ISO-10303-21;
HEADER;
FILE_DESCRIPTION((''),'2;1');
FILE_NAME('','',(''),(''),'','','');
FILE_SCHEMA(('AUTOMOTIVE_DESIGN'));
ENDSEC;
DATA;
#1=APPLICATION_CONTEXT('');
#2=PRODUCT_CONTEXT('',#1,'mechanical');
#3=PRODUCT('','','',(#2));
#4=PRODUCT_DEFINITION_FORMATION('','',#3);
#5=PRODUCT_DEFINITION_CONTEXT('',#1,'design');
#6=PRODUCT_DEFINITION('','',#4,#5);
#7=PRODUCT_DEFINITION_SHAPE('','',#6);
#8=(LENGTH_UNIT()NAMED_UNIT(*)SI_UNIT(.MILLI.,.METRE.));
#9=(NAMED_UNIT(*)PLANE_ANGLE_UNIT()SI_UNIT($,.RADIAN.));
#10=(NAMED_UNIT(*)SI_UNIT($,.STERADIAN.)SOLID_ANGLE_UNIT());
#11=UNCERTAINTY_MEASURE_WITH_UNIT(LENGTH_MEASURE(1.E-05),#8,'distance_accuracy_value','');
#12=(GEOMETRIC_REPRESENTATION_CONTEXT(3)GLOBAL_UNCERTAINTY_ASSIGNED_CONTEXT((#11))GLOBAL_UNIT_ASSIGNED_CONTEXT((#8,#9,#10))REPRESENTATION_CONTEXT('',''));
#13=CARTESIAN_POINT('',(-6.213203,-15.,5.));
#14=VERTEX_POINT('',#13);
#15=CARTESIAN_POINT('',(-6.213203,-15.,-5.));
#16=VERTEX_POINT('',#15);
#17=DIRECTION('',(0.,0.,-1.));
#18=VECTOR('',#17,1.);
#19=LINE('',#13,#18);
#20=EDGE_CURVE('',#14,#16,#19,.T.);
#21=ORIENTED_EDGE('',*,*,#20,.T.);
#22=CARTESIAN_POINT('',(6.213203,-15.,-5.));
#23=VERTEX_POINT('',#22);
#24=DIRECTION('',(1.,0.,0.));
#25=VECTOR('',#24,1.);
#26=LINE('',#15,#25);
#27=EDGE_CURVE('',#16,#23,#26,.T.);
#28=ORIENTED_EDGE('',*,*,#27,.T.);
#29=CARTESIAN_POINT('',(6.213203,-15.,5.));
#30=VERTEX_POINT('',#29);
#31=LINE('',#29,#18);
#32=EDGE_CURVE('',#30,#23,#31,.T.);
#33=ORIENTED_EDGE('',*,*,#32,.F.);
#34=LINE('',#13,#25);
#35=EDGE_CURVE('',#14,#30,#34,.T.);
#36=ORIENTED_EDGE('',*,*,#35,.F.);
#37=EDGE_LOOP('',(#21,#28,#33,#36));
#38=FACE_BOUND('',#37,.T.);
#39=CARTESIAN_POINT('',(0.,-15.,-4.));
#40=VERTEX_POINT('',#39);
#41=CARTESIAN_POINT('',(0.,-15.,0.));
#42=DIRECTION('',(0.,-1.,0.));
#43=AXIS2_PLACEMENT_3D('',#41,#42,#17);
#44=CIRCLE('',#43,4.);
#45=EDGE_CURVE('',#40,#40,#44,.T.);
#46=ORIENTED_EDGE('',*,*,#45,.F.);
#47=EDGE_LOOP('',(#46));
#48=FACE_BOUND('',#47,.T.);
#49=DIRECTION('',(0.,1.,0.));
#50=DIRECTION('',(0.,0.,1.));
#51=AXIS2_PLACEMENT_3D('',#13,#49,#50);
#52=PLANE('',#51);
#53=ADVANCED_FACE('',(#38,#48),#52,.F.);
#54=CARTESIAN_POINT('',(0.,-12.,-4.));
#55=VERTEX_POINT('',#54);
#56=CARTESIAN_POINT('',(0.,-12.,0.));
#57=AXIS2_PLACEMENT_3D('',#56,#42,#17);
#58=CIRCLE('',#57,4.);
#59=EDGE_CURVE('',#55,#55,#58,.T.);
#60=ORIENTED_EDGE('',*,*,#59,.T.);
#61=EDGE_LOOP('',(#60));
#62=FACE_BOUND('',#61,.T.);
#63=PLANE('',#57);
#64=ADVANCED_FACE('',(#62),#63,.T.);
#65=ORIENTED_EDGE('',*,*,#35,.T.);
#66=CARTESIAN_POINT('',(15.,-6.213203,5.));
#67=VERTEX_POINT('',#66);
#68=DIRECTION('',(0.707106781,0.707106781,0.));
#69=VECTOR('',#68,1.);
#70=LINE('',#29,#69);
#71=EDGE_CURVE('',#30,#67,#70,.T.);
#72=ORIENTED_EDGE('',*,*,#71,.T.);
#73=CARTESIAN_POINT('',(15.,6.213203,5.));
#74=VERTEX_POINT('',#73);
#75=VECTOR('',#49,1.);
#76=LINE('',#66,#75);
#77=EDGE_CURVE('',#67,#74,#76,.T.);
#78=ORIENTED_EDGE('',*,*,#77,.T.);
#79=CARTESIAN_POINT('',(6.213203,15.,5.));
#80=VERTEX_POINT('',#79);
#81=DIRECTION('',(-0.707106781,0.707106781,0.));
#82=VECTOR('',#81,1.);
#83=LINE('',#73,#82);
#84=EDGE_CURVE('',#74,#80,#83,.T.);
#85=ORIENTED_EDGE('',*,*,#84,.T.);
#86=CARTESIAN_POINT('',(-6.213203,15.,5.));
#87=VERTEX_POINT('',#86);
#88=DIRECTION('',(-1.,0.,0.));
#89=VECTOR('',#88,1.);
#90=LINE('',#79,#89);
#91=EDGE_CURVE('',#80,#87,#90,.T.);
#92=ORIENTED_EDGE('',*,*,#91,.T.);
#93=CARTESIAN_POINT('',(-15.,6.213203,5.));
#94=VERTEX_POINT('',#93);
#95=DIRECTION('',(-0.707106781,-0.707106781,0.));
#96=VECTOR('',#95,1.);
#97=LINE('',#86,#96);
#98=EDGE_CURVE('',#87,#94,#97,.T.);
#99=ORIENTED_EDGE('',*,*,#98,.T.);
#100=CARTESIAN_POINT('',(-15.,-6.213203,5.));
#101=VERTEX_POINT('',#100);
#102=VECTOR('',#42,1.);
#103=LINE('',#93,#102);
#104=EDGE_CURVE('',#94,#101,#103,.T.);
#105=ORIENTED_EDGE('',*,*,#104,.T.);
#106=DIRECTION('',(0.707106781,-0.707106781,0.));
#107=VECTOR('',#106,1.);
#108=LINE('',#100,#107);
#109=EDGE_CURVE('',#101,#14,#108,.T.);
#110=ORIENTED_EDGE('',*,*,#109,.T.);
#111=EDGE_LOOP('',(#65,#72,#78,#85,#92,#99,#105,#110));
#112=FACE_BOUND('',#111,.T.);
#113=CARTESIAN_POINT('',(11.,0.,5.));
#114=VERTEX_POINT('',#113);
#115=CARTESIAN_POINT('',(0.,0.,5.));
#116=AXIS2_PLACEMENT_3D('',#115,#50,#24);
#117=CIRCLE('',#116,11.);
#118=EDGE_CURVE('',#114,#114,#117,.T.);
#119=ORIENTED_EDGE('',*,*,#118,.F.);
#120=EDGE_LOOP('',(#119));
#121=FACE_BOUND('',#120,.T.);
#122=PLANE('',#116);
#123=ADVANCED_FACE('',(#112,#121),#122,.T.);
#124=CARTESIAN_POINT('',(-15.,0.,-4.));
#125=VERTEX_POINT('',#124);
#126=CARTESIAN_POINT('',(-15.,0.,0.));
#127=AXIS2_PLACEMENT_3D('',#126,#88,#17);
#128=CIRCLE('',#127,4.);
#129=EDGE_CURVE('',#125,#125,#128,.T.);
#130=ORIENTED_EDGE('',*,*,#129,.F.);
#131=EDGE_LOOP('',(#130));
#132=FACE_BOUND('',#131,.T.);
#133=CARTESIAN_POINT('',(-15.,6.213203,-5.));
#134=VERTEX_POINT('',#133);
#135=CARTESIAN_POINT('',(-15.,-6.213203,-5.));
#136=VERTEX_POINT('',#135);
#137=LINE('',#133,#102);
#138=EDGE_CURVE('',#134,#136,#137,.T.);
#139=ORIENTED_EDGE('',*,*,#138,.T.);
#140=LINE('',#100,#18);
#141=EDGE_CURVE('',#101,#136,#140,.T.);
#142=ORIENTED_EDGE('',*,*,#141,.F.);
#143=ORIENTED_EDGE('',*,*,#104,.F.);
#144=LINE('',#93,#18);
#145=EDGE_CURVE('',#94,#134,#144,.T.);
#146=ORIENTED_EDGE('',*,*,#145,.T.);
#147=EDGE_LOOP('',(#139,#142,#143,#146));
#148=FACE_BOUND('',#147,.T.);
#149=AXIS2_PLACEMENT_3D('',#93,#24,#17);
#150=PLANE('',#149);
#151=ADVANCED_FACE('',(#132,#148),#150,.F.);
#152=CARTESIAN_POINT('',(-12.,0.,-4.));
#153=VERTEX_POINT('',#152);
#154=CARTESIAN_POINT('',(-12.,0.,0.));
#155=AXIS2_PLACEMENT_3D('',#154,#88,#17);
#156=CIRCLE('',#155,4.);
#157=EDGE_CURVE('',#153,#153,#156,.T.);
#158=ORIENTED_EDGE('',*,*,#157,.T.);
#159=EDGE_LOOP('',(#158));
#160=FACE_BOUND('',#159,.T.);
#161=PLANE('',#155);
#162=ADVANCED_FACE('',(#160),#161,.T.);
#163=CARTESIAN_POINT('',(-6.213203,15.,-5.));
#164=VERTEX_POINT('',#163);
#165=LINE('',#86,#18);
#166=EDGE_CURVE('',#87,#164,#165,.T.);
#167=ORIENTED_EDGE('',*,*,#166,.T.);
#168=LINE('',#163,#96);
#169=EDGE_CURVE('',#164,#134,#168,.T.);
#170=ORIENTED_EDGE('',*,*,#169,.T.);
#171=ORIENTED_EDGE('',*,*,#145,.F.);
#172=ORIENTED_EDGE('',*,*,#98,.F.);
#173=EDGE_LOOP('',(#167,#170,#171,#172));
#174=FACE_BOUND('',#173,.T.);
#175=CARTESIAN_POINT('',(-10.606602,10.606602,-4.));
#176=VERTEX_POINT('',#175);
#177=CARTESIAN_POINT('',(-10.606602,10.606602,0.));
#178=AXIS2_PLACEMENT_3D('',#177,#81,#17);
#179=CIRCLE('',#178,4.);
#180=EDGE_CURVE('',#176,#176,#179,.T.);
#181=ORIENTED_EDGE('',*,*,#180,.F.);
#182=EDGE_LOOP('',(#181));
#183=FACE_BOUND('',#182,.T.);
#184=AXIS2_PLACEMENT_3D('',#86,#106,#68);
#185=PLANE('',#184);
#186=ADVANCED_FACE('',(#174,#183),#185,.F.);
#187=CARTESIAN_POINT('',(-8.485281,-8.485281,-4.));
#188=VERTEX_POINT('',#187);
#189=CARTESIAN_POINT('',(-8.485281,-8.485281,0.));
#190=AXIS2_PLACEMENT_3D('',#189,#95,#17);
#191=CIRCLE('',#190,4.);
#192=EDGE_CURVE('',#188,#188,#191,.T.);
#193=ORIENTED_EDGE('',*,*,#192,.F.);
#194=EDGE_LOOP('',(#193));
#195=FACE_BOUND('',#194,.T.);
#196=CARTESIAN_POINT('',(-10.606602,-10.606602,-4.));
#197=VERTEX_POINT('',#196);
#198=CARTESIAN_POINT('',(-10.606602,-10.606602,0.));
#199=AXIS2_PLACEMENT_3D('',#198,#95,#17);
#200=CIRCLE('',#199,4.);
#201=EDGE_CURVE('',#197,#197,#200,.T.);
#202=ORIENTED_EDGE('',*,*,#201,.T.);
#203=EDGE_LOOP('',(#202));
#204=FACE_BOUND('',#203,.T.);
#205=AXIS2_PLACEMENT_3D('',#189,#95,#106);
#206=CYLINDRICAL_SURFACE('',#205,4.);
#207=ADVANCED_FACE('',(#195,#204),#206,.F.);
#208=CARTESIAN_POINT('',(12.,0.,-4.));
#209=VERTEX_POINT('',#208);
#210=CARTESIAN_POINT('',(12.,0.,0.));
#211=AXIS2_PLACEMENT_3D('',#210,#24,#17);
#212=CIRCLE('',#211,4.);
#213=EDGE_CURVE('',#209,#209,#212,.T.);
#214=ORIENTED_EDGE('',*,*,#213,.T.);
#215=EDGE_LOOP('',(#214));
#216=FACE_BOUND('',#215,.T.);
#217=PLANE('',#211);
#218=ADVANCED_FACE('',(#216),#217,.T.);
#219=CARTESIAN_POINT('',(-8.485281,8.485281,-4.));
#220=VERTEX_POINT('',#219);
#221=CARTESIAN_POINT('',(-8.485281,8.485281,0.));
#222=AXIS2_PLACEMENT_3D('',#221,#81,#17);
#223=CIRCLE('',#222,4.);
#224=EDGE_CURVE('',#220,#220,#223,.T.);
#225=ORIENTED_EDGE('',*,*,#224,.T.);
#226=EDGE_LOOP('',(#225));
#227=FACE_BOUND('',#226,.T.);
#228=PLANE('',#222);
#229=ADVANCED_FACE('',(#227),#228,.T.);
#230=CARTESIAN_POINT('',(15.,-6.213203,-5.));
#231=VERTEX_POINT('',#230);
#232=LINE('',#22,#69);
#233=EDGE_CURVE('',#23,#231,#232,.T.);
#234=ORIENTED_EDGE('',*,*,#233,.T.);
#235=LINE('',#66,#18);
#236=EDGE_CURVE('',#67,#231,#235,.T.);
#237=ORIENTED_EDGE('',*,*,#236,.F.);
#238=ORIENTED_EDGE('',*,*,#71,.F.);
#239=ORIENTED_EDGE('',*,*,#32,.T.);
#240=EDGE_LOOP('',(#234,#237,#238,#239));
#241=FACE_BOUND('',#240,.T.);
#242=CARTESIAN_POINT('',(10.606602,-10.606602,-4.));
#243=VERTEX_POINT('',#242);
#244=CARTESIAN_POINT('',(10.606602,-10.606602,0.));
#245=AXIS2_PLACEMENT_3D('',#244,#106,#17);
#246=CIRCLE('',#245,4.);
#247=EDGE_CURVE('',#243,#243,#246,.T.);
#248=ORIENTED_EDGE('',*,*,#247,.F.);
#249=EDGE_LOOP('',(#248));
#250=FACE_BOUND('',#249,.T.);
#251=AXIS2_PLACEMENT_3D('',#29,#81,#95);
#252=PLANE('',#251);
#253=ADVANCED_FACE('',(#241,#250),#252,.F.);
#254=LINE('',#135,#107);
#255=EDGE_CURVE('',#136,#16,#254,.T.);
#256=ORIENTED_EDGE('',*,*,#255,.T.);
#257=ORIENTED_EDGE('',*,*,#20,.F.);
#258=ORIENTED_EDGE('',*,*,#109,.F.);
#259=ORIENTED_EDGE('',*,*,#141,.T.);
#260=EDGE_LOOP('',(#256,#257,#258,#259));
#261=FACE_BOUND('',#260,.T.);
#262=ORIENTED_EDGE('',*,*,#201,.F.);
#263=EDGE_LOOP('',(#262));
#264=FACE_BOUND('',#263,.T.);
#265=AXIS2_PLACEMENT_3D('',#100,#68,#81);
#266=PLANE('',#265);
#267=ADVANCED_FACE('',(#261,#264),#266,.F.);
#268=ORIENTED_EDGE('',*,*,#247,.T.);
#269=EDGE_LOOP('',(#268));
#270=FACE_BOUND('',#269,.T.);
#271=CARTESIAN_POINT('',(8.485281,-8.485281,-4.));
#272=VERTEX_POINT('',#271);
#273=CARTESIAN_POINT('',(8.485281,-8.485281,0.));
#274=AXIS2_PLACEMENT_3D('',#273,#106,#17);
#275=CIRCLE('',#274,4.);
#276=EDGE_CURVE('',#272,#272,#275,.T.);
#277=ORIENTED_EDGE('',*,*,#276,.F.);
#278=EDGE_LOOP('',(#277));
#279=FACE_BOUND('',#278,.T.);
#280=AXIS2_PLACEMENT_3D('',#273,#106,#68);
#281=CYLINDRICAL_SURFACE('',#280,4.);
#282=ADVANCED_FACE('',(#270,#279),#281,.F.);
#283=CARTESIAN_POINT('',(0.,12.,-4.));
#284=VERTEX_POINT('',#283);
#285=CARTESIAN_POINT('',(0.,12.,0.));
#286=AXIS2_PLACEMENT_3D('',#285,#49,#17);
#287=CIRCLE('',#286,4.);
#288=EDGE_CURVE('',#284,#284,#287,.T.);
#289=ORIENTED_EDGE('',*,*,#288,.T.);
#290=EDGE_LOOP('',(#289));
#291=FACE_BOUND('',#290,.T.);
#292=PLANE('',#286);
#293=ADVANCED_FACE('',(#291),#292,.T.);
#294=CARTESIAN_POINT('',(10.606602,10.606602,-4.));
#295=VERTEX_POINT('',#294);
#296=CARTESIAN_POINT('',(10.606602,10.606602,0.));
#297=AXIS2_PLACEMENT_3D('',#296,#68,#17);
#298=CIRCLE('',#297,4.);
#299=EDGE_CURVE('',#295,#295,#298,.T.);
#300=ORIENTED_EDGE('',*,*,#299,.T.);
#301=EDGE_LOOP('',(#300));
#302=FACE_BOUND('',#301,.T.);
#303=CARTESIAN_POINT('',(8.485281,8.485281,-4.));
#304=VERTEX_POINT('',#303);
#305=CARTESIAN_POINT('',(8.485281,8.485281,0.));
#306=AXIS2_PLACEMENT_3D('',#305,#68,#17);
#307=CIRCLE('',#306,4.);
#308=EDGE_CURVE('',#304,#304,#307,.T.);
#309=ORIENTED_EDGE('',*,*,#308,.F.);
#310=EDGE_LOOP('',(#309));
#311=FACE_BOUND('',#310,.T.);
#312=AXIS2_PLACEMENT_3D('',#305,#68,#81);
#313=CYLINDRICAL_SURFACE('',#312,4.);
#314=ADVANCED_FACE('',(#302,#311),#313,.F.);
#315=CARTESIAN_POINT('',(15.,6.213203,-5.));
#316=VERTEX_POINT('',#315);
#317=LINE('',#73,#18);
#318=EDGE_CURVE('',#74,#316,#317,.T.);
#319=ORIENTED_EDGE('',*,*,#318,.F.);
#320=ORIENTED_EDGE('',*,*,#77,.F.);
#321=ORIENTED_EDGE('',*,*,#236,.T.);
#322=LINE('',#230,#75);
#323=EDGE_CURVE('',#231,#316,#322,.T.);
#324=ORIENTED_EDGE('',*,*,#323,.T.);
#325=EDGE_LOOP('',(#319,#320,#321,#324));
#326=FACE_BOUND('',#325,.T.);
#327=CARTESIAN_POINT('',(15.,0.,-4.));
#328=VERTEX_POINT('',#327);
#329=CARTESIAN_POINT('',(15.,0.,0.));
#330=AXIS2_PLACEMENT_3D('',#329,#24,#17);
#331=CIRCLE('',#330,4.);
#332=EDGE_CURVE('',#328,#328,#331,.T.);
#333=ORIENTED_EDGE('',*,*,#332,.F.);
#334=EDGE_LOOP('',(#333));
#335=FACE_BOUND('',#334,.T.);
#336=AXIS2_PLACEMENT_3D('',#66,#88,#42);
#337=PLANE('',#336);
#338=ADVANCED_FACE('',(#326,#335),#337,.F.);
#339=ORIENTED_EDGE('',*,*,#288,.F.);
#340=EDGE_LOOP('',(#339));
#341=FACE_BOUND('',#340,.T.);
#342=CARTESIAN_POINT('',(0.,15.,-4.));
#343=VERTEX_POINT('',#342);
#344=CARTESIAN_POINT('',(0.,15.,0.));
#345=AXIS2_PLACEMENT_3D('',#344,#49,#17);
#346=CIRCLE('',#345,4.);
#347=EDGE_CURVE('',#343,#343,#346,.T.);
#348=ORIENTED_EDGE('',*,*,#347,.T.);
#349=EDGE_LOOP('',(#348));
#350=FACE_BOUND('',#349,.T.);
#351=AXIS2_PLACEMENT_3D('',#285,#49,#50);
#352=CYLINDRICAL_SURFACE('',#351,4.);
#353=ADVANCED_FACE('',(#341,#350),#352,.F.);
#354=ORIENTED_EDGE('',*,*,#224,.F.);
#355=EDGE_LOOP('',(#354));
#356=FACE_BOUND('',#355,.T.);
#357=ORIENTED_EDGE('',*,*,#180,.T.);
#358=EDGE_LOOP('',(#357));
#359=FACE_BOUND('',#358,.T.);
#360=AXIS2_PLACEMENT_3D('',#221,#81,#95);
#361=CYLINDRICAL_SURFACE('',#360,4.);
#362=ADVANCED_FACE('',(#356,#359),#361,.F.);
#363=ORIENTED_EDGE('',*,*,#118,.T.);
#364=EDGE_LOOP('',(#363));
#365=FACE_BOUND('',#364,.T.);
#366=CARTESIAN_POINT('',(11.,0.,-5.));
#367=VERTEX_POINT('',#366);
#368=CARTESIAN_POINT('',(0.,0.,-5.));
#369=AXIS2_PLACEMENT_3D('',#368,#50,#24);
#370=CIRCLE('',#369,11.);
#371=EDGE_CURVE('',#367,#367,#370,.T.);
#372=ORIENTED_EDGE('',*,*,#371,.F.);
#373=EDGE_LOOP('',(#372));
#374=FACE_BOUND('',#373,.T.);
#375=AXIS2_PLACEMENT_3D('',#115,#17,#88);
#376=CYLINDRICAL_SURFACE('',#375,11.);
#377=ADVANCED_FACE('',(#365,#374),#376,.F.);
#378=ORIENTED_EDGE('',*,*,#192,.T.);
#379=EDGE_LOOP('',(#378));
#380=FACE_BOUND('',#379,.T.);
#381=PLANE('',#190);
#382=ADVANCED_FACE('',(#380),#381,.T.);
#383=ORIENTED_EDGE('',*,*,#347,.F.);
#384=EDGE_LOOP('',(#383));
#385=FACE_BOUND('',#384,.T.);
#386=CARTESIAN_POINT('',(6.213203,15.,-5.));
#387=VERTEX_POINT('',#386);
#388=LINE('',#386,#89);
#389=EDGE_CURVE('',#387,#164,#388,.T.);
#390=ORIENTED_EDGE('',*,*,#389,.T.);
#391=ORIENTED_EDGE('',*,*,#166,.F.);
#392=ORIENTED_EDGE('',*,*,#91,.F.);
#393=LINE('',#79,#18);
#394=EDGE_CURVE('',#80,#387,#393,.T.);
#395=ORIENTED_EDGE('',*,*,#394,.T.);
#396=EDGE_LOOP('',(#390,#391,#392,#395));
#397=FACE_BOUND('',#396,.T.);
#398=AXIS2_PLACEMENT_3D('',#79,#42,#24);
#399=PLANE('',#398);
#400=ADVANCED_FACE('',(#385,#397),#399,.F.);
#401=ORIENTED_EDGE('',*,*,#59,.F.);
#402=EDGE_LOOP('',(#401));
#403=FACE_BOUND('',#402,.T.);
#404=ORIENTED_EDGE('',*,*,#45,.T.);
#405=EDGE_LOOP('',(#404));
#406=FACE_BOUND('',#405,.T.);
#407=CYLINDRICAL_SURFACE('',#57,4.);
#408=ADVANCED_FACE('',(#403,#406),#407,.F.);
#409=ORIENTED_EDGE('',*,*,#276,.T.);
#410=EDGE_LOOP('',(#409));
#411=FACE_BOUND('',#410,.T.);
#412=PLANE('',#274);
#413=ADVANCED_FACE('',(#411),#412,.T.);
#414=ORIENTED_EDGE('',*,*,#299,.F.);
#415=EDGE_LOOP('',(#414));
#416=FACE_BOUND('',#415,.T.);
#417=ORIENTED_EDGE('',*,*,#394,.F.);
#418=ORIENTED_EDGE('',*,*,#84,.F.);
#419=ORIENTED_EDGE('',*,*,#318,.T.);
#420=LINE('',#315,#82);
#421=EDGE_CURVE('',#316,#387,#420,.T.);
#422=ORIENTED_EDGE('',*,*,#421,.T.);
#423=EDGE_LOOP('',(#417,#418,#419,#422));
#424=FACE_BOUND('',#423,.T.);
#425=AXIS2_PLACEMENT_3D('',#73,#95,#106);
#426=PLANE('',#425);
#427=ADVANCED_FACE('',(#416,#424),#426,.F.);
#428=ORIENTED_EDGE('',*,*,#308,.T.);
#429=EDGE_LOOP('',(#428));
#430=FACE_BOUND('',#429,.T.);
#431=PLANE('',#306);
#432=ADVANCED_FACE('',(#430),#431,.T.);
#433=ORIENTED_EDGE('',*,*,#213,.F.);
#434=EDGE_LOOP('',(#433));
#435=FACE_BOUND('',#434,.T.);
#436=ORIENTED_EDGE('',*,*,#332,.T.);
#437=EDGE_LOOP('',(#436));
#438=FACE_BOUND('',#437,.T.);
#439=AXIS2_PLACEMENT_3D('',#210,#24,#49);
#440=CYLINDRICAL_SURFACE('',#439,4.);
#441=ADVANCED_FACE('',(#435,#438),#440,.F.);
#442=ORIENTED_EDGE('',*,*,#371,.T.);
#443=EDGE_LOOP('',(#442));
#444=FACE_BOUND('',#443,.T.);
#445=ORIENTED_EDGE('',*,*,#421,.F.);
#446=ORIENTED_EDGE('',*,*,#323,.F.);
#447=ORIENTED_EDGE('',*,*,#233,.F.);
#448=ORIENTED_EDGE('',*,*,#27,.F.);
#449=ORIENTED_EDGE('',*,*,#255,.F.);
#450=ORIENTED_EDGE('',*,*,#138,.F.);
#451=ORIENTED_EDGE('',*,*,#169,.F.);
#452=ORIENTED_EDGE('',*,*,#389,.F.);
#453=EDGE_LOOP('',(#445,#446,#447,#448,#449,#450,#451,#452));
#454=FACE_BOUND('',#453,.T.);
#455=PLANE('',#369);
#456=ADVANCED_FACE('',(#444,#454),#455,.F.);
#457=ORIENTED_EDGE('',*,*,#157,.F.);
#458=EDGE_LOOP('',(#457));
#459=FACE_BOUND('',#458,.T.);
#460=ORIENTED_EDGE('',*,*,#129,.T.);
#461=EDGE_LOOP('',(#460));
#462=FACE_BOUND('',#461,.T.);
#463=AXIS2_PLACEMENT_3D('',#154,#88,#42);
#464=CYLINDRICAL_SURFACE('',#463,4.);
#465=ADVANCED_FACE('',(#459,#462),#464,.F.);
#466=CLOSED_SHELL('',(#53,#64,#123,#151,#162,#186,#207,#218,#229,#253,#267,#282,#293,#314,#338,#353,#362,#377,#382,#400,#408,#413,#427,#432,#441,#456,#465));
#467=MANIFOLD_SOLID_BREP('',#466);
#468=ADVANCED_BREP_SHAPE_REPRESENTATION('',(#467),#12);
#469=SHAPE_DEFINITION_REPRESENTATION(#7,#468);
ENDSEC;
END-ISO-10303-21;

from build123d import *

# Parameters (mm, degrees)
SKETCH1_R           = 11
BOSS_EXTRUDE1_DEPTH = 5
SKETCH2_R           = 4
CUT_EXTRUDE3_DEPTH  = 3
CIRPATTERN1_COUNT   = 8


with BuildPart() as part:
    # Sketch1 → Boss-Extrude1 (new, symmetric)
    with BuildSketch(Plane.XY):
        Polygon((6.213203436, 15), (-6.213203436, 15), (-15, 6.213203436), (-15, -6.213203436), (-6.213203436, -15), (6.213203436, -15), (15, -6.213203436), (15, 6.213203436), align=None)
        Circle(SKETCH1_R, mode=Mode.SUBTRACT)
    extrude(amount=BOSS_EXTRUDE1_DEPTH, both=True)

    # Sketch2 → Cut-Extrude3 (cut)
    with BuildSketch(Plane(origin=(0, -15, 0), x_dir=(-1, 0, 0), z_dir=(0, -1, 0))):
        Circle(SKETCH2_R)
    cut_extrude3 = extrude(amount=-CUT_EXTRUDE3_DEPTH, mode=Mode.SUBTRACT)

    # CirPattern1: Cut-Extrude3 ×8 about axis
    cirpattern1_axis = Axis((0, 0, 5), (0, 0, 1))
    for i in range(1, CIRPATTERN1_COUNT):
        add(cut_extrude3.rotate(cirpattern1_axis, i * 360 / CIRPATTERN1_COUNT), mode=Mode.SUBTRACT)


solid = part.part
